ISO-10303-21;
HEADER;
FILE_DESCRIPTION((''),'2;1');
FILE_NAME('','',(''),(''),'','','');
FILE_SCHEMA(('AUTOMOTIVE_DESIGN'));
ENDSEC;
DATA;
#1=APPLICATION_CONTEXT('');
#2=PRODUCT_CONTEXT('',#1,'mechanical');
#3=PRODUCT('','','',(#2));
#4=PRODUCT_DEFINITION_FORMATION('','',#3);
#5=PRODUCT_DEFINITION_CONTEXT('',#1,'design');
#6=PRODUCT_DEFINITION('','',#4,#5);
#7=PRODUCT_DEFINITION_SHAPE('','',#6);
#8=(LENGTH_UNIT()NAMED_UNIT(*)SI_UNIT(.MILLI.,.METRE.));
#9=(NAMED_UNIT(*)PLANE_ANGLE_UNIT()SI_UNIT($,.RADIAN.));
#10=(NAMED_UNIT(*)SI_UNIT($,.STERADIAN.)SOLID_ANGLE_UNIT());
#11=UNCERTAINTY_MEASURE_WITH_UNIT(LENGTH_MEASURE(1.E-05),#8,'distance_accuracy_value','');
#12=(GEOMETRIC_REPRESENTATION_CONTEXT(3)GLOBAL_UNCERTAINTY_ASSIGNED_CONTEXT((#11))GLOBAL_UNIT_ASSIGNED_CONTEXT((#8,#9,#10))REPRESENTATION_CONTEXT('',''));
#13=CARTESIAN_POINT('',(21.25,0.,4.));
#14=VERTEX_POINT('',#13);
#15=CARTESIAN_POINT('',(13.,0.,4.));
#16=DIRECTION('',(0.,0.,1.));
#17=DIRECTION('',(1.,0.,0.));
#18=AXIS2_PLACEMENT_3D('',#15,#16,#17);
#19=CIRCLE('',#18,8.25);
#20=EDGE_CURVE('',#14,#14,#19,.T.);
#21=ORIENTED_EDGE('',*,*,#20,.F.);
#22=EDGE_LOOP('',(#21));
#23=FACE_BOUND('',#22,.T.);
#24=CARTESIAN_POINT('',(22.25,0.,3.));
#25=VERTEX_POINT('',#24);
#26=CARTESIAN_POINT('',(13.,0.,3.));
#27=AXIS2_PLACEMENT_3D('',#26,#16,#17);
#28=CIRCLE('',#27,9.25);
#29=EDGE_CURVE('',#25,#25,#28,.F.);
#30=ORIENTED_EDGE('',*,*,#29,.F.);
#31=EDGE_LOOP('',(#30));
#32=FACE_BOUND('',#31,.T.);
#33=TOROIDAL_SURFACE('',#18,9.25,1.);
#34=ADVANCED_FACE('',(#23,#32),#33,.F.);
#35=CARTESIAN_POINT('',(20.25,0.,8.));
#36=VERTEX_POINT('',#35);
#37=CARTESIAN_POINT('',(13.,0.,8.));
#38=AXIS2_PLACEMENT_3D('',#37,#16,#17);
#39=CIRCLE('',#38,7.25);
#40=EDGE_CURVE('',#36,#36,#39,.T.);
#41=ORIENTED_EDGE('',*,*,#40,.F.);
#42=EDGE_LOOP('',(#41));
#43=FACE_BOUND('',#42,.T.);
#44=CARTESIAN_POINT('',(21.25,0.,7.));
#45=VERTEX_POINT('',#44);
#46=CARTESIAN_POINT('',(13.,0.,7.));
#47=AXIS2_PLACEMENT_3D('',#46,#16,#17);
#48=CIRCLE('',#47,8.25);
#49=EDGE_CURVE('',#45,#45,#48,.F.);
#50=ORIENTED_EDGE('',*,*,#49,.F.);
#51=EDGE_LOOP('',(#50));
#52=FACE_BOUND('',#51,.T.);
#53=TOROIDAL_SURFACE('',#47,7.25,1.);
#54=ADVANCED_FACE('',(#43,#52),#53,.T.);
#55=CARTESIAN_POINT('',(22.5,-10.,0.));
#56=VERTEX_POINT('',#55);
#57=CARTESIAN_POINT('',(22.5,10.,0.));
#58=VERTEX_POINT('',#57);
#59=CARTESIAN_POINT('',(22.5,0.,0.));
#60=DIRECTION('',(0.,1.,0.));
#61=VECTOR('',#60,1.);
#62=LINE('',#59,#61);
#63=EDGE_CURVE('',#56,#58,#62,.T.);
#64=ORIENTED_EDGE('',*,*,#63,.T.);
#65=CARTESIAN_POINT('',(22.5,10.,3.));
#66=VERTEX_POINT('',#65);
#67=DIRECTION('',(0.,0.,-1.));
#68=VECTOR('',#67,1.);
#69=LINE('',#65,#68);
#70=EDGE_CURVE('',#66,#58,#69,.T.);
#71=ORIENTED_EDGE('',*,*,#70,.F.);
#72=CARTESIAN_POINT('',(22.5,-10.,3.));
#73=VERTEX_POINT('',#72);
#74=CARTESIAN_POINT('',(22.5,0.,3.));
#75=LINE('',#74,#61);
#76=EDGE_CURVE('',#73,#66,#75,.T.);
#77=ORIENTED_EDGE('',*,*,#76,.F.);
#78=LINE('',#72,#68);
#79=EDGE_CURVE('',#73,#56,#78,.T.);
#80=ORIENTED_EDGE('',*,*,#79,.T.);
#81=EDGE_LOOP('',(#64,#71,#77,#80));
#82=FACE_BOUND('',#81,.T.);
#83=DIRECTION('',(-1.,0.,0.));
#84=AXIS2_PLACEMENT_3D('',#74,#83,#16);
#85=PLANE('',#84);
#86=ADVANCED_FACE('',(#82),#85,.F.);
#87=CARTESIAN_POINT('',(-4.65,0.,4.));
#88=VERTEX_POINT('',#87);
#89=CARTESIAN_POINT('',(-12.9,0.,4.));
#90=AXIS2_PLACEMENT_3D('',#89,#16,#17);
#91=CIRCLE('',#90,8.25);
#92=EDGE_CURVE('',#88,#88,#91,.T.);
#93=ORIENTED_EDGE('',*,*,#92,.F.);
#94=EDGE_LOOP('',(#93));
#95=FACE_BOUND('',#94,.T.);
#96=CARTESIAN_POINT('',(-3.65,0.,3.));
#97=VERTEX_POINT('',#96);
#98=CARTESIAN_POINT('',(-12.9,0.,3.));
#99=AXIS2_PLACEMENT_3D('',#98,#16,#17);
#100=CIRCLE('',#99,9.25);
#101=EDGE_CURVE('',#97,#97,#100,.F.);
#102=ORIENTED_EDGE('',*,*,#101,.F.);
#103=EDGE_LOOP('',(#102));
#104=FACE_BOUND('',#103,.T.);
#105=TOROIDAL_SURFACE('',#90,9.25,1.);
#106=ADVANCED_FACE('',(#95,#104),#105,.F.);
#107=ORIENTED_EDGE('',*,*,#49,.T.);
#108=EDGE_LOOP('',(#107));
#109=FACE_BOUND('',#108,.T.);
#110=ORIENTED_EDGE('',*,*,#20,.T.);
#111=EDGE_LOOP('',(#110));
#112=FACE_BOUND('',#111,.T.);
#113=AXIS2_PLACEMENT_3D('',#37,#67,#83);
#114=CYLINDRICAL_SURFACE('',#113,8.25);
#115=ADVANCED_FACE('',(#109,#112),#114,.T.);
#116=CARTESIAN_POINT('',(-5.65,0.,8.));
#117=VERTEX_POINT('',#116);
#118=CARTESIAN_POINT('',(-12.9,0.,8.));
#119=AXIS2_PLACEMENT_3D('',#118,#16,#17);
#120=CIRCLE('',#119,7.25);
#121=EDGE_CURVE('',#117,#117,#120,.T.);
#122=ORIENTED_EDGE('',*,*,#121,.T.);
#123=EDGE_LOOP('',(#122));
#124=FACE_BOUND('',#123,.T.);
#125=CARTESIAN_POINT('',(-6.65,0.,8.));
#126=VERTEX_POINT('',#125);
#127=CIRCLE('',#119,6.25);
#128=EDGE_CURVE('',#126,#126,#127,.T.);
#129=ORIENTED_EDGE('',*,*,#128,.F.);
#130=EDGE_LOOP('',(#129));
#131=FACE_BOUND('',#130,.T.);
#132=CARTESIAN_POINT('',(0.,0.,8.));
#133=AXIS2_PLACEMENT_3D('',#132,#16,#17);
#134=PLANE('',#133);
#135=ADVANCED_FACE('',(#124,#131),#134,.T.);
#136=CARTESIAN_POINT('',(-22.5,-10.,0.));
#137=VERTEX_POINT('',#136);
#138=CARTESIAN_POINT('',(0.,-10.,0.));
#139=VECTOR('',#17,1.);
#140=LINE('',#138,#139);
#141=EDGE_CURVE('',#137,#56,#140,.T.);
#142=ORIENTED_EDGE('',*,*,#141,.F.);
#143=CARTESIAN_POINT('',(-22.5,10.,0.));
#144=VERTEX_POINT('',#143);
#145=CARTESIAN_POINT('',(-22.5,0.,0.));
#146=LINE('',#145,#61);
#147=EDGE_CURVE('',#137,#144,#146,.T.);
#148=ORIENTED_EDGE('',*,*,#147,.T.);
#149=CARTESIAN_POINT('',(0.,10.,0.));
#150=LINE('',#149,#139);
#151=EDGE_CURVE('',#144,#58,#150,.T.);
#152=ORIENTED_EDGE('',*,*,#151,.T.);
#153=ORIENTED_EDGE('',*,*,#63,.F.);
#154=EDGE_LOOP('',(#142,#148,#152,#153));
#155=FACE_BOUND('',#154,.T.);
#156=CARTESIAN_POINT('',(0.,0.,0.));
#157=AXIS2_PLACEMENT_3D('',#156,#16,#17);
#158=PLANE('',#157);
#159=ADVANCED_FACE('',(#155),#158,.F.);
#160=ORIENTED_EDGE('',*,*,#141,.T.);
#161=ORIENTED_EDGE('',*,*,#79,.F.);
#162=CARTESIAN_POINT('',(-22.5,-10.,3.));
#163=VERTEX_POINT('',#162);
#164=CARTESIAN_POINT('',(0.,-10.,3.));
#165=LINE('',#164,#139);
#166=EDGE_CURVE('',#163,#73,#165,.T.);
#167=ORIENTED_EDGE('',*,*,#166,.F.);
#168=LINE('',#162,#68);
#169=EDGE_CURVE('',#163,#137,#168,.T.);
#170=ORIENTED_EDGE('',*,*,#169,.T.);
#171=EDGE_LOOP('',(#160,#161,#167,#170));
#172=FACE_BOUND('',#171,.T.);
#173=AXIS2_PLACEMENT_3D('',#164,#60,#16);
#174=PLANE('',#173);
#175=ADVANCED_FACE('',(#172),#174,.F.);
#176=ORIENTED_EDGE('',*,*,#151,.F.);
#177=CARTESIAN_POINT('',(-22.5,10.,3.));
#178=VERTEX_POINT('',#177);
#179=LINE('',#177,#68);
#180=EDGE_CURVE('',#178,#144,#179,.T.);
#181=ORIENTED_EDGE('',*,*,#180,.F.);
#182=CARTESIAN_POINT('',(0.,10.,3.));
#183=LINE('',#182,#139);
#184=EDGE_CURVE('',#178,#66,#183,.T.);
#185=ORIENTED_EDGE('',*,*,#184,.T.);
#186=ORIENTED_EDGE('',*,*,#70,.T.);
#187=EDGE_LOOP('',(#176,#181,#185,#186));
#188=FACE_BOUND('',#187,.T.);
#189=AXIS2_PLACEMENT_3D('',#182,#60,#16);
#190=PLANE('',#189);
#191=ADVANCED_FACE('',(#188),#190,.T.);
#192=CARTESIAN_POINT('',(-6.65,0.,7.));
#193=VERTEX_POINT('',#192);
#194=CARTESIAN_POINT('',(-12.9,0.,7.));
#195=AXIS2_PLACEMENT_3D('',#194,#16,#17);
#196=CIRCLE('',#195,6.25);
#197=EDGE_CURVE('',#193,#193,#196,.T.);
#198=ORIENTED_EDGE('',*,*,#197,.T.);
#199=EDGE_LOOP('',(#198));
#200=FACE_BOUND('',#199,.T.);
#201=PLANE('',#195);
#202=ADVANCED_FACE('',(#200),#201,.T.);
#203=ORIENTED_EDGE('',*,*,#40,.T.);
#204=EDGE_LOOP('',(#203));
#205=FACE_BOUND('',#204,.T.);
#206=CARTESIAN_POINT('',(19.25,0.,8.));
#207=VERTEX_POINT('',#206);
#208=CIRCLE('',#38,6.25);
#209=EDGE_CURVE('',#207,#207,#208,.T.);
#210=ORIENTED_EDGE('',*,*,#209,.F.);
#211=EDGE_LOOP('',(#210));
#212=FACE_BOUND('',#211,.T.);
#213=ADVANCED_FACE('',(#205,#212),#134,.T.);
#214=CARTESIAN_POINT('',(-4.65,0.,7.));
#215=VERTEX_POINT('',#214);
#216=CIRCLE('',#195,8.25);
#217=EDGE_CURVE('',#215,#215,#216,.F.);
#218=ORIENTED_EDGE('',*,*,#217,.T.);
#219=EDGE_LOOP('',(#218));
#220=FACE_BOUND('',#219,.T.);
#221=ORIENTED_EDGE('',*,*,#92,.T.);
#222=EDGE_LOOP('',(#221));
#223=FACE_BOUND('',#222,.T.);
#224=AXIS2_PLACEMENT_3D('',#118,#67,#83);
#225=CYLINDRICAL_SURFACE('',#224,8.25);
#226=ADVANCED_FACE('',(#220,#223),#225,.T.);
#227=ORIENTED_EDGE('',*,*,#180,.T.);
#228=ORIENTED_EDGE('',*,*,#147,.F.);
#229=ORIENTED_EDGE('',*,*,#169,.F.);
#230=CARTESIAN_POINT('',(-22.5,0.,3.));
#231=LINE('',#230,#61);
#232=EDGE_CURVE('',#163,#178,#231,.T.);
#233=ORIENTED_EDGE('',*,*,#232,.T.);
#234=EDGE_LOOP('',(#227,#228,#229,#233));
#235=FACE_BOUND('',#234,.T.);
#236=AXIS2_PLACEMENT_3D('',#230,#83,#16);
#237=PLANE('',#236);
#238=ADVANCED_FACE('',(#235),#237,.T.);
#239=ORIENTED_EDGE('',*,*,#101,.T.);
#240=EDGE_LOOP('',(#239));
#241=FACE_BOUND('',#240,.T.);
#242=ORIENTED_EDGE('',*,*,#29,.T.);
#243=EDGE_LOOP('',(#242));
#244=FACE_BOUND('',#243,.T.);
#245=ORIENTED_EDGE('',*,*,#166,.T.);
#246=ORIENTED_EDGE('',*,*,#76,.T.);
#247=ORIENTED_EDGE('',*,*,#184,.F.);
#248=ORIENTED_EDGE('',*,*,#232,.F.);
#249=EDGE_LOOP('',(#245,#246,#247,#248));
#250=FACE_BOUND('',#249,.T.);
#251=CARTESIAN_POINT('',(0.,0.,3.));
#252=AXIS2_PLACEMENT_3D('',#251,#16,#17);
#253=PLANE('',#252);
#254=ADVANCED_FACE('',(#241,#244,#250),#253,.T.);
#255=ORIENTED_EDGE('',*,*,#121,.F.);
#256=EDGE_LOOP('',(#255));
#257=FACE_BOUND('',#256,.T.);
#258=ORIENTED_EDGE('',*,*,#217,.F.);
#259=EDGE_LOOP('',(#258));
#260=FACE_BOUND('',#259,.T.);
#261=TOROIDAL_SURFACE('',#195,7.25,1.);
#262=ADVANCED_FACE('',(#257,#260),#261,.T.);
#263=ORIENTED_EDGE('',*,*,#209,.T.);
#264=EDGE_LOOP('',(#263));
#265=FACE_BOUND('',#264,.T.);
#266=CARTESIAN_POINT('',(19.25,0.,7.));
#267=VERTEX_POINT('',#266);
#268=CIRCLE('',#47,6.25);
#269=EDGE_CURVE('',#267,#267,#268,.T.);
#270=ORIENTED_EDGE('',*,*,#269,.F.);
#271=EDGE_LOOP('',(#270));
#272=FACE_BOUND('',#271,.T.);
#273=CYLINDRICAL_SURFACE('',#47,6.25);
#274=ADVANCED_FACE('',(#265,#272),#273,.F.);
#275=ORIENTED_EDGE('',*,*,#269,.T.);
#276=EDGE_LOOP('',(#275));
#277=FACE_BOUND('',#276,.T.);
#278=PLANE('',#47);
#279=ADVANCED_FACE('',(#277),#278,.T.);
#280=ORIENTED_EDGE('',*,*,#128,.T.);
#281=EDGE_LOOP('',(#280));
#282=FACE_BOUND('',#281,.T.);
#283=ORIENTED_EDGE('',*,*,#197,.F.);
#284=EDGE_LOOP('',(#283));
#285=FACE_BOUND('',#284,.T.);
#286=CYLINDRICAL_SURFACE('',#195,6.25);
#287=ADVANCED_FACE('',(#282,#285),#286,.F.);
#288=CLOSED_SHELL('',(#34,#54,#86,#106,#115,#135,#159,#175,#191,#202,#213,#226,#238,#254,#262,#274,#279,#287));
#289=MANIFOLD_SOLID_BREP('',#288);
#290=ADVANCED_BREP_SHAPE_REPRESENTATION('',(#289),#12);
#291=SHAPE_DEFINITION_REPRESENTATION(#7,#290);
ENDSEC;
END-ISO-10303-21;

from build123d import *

# Parameters (mm, degrees)
SKETCH_1_W          = 45
SKETCH_1_H          = 20
EXTRUDE_1_DEPTH     = 3
SKETCH_1_3_R        = 8.25
EXTRUDE_2_DEPTH     = 8
SKETCH_2_R          = 6.25
CUT_EXTRUDE_1_DEPTH = 1
FILLET_1_R          = 1


with BuildPart() as part:
    # 草图1 → 凸台-拉伸1 (new body)
    with BuildSketch(Plane.XY):
        Rectangle(SKETCH_1_W, SKETCH_1_H)
    extrude(amount=EXTRUDE_1_DEPTH)

    # 草图1<3> → 凸台-拉伸2 (add)
    with BuildSketch(Plane.XY):
        with Locations((-12.9, 0)):
            Circle(SKETCH_1_3_R)
        with Locations((13, 0)):
            Circle(SKETCH_1_3_R)
    extrude(amount=EXTRUDE_2_DEPTH)

    # 草图2 → 切除-拉伸1 (cut)
    with BuildSketch(Plane.XY.offset(8)):
        with Locations((13, 0)):
            Circle(SKETCH_2_R)
        with Locations((-12.9, 0)):
            Circle(SKETCH_2_R)
    extrude(amount=-CUT_EXTRUDE_1_DEPTH, mode=Mode.SUBTRACT)

    # 圆角1
    fillet_1_edges = [part.edges().sort_by_distance(p)[0] for p in [
        (4.75, 0, 8),
        (4.75, 0, 3),
        (-21.15, 0, 8),
        (-21.15, 0, 3),
    ]]
    fillet(fillet_1_edges, radius=FILLET_1_R)


solid = part.part
